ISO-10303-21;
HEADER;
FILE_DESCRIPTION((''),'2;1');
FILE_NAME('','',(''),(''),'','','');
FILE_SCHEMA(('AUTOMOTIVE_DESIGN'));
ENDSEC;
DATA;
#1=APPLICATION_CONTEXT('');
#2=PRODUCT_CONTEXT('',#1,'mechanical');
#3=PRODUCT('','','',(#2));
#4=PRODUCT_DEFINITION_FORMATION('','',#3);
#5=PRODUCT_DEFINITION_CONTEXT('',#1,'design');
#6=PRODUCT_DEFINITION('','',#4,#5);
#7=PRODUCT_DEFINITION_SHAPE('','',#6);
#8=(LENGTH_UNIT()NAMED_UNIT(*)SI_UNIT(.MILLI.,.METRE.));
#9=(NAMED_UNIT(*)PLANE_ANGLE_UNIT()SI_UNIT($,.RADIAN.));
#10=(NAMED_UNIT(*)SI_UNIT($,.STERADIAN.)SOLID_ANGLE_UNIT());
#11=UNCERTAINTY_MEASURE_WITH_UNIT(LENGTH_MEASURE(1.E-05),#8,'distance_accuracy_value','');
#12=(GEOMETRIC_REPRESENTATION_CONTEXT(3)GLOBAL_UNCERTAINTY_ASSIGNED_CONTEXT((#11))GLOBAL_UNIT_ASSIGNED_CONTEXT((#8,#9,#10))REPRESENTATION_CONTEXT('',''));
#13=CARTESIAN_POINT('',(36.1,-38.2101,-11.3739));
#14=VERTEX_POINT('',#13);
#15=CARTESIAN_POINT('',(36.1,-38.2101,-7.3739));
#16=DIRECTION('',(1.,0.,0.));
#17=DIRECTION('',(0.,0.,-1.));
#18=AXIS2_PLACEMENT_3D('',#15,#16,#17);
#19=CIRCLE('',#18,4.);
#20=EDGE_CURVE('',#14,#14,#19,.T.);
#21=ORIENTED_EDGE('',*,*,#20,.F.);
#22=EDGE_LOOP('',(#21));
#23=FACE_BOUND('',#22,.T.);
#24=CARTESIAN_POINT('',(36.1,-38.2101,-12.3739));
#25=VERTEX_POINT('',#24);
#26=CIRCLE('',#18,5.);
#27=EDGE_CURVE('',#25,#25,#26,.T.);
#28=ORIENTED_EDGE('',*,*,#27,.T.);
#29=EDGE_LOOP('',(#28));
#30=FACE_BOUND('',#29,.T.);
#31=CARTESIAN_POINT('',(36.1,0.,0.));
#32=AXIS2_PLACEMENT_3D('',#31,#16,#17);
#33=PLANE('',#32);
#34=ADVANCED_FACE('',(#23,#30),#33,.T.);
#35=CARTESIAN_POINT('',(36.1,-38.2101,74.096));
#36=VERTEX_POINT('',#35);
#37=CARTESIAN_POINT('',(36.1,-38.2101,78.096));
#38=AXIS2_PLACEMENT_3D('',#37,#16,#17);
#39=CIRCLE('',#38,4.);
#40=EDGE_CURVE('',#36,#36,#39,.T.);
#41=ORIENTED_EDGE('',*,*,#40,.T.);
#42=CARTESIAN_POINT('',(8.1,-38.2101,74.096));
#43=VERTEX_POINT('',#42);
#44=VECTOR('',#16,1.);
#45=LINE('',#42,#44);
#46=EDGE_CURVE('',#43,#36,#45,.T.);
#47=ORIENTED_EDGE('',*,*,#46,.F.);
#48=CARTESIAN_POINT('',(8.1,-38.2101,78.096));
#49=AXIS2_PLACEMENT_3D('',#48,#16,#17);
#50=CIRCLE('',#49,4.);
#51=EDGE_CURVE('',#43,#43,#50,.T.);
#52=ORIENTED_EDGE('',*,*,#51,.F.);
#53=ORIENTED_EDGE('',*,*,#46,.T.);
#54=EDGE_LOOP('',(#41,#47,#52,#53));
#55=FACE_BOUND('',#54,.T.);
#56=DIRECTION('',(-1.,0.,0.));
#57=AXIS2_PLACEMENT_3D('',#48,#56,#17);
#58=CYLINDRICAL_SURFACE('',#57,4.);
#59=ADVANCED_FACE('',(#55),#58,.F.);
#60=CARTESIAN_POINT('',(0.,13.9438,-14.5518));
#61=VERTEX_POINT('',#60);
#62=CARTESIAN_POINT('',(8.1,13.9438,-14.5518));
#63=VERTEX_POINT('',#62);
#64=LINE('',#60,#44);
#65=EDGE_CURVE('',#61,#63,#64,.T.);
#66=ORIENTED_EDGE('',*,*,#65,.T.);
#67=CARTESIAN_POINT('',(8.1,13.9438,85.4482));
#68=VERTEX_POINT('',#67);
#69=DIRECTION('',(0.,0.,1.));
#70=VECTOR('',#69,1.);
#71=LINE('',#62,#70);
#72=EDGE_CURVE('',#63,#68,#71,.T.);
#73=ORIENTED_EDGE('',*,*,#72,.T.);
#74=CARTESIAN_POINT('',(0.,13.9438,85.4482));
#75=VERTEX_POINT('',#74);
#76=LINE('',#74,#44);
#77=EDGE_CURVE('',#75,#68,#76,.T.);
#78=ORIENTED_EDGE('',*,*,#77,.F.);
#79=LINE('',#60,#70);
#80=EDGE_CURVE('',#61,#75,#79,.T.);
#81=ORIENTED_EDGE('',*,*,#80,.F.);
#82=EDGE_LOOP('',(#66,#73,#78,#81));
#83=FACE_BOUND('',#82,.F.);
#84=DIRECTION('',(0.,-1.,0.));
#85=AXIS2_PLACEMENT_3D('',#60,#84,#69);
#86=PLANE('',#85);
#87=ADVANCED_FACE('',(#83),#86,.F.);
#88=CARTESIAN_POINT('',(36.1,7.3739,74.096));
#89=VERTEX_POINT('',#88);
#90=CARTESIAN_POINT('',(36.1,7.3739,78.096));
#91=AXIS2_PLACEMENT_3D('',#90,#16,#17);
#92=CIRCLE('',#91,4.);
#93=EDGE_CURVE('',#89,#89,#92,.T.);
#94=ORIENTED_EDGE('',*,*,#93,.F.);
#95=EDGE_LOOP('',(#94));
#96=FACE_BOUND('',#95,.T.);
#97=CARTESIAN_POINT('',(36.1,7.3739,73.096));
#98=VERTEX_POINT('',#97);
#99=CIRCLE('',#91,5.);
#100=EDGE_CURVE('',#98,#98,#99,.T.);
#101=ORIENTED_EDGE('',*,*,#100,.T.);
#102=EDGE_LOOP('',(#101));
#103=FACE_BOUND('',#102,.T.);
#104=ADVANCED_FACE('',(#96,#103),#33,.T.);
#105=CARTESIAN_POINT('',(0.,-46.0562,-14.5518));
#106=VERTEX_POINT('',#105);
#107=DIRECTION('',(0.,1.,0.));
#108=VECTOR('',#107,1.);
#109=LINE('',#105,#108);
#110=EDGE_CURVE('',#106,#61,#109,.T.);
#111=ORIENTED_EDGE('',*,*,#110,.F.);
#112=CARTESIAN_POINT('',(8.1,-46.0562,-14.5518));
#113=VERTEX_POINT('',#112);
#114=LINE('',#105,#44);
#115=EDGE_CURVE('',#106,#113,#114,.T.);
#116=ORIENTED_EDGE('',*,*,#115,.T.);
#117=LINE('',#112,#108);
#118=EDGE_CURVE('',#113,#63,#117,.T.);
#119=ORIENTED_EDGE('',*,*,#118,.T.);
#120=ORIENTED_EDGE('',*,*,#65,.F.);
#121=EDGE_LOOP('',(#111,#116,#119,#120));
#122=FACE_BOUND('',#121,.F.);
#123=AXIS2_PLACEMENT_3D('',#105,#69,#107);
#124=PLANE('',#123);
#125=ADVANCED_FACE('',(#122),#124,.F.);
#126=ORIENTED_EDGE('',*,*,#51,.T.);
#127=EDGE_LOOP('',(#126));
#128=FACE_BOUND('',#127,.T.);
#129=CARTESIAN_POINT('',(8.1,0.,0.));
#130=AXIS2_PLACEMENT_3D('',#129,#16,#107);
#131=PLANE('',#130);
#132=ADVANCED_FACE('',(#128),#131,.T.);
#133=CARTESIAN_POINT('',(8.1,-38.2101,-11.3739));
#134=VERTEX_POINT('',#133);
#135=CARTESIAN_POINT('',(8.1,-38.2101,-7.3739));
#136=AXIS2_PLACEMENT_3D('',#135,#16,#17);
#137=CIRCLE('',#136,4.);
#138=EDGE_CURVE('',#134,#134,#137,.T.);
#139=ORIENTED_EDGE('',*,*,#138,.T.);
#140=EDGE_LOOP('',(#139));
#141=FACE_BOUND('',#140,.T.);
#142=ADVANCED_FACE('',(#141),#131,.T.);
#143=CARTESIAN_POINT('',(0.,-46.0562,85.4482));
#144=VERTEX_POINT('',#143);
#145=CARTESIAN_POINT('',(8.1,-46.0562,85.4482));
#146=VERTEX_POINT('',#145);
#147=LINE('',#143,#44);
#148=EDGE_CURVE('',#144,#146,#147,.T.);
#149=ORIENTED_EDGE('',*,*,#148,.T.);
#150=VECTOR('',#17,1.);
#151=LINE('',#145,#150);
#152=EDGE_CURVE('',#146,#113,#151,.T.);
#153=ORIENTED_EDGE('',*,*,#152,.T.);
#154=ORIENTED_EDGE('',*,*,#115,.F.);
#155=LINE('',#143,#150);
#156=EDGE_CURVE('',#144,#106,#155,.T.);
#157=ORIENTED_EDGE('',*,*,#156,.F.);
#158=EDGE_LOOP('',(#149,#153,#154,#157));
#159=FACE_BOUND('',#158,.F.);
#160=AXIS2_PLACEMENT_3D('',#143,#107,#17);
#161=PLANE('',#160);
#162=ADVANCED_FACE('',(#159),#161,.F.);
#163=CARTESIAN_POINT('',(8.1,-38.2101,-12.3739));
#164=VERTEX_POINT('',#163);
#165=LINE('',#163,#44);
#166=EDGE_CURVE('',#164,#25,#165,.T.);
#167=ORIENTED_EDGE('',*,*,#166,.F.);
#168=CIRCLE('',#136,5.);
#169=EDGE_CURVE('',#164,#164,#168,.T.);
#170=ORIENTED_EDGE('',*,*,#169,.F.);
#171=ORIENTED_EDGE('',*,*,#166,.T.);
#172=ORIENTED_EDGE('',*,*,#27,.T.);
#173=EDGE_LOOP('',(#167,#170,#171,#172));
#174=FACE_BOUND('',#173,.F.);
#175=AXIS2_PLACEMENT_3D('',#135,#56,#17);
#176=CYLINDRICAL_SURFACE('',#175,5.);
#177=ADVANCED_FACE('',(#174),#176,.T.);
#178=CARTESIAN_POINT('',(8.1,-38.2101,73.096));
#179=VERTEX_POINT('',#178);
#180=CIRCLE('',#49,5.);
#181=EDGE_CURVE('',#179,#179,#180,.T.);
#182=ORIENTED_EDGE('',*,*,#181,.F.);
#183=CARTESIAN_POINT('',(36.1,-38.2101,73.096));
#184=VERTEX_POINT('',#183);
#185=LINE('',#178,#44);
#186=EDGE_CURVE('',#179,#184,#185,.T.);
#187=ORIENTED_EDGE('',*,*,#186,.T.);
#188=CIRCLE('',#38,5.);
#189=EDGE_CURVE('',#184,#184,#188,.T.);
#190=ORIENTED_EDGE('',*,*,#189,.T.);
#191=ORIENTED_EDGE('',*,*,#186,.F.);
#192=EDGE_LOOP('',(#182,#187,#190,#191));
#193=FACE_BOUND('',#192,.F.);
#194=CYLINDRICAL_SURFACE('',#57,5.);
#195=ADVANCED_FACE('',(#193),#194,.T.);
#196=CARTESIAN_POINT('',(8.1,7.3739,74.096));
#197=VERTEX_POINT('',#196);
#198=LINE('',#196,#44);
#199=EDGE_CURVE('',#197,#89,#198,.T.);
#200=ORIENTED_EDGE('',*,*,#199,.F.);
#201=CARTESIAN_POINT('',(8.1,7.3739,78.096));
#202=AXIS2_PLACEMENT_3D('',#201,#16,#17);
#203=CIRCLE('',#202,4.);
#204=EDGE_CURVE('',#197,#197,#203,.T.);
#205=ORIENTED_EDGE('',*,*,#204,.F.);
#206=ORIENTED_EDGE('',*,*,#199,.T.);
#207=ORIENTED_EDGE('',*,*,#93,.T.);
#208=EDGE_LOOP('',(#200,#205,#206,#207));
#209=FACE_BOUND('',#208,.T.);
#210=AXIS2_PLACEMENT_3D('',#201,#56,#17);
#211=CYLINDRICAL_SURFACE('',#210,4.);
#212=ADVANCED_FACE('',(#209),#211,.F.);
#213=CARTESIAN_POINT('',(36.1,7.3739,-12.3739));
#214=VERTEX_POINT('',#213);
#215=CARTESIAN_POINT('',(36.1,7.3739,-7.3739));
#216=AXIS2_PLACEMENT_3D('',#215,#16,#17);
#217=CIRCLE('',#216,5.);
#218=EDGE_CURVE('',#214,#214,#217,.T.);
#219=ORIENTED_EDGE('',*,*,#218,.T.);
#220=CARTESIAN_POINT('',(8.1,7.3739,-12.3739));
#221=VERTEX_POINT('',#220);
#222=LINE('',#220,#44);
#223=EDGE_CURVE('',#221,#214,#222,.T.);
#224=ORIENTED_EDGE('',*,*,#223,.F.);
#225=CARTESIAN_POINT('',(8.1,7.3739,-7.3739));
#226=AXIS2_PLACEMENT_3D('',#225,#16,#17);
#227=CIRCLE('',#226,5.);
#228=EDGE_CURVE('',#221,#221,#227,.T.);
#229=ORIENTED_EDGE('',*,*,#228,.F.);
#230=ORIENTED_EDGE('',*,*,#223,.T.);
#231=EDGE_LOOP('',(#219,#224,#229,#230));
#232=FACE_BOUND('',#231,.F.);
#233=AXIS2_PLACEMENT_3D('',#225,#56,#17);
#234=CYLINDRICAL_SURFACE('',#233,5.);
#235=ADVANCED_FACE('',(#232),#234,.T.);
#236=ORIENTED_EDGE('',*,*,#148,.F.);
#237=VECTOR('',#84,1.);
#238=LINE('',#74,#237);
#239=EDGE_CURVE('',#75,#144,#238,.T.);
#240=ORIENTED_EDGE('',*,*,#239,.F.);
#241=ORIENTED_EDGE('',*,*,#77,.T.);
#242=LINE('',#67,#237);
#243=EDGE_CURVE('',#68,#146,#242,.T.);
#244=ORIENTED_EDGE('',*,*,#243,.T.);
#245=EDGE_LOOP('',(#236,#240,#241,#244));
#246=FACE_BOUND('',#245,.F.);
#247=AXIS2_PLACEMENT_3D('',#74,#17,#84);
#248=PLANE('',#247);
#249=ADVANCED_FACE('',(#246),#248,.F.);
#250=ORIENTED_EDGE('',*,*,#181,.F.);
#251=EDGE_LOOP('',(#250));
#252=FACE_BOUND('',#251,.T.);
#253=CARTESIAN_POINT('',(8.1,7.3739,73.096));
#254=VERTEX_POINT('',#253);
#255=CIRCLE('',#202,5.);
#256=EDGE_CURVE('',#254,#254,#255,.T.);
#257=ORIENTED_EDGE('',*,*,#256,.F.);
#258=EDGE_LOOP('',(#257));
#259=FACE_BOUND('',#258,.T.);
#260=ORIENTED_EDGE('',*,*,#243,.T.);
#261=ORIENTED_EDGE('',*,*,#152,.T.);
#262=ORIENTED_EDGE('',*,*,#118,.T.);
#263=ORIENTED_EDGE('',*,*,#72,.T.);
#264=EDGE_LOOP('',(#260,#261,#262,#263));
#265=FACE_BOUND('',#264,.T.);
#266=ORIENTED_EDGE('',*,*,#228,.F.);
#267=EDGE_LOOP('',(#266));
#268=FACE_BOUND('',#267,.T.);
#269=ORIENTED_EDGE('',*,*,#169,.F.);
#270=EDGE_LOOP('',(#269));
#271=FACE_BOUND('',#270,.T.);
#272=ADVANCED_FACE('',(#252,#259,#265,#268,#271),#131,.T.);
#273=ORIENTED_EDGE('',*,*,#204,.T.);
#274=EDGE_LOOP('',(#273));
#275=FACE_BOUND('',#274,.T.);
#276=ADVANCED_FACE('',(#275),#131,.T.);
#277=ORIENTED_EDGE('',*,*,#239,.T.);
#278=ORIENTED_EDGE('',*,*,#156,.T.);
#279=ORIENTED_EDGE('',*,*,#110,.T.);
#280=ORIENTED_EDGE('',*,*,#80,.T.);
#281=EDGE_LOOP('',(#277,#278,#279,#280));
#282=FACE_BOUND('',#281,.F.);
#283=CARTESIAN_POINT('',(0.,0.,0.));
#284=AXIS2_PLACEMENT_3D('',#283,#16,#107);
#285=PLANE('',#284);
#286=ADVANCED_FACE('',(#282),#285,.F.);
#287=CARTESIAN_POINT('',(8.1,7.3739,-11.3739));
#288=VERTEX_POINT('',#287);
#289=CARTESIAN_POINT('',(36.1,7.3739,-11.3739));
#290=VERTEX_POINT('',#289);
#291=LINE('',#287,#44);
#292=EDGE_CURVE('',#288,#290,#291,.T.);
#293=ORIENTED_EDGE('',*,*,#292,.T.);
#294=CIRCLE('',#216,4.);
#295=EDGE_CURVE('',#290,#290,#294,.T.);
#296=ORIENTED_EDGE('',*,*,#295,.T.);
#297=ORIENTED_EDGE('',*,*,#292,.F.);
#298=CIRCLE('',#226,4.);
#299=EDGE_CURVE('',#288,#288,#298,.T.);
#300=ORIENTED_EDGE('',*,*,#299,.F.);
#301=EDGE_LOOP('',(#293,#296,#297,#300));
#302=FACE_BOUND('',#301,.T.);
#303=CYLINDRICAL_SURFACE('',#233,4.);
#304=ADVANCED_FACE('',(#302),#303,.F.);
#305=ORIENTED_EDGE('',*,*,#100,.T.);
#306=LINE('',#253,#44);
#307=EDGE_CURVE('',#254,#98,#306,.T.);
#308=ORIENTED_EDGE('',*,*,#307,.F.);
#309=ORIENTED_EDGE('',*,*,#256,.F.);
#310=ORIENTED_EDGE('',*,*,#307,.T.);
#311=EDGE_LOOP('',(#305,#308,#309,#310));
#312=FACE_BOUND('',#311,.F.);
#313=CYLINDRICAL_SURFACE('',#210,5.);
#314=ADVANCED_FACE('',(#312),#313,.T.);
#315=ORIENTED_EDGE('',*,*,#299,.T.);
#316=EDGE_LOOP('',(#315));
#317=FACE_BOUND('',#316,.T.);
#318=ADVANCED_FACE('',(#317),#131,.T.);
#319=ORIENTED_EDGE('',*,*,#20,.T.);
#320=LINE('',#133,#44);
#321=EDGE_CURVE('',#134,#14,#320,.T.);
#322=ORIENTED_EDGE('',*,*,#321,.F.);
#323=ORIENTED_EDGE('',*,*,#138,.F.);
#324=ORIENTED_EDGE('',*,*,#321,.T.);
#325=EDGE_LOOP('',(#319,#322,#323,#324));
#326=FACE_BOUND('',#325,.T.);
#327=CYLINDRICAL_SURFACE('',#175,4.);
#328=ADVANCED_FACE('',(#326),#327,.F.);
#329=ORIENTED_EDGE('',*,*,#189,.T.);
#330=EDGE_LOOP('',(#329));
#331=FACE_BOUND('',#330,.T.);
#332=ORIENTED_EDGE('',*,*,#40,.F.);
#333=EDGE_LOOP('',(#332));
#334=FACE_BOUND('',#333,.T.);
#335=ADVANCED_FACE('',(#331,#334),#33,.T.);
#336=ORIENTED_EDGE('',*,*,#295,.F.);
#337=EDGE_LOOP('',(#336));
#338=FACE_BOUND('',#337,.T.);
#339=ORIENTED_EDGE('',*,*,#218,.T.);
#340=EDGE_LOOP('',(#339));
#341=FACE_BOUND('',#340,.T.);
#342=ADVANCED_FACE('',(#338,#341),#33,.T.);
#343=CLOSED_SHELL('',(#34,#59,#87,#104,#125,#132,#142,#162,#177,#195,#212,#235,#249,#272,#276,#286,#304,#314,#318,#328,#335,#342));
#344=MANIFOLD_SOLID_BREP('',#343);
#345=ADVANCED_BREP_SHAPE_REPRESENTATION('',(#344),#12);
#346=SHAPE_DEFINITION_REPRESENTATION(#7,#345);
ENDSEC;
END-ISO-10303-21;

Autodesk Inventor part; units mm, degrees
ref_plane "YZ Plane" through (0, 0, 0) normal (1, 0, 0) x (0, 1, 0)
ref_plane "XZ Plane" through (0, 0, 0) normal (0, 1, 0) x (-1, 0, 0)
ref_plane "XY Plane" through (0, 0, 0) normal (0, 0, 1) x (1, 0, 0)
sketch "スケッチ1" plane through (0, 0, 0) normal (1, 0, 0) x (0, 1, 0)
  line L0 (13.9438, 85.4482) -> (-46.0562, 85.4482)
  line L1 (-46.0562, 85.4482) -> (-46.0562, -14.5518)
  line L2 (-46.0562, -14.5518) -> (13.9438, -14.5518)
  line L3 (13.9438, -14.5518) -> (13.9438, 85.4482)
  point P0 (0, 0)
  dimension "d0" = 60
  dimension "d1" = 100
extrude "押し出し1" add sketch "スケッチ1" along normal blind 8.1
sketch "スケッチ2" plane through (8.1, 0, 0) normal (1, 0, 0) x (0, 0, -1)
  circle A0 centre (-78.096, 7.3739) radius 5
  circle A1 centre (-78.096, -38.2101) radius 5
  circle A2 centre (7.3739, -38.2101) radius 5
  circle A3 centre (7.3739, 7.3739) radius 5
  circle A4 centre (-78.096, 7.3739) radius 4
  circle A5 centre (-78.096, -38.2101) radius 4
  circle A6 centre (7.3739, 7.3739) radius 4
  circle A7 centre (7.3739, -38.2101) radius 4
  point P0 (0, 0)
  dimension "d4" = 10
  dimension "d5" = 10
  dimension "d6" = 10
  dimension "d7" = 10
  dimension "d8" = 8
  dimension "d9" = 8
  dimension "d10" = 8
  dimension "d11" = 8
extrude "押し出し2" add sketch "スケッチ2" along normal blind 28
sketch "スケッチ3" plane through (0, 0, 0) normal (-1, 0, 0) x (0, 0, 1)
  point P0 (0, 0)
equation "\"BendRadius\" = Thickness"
equation "\"BendReliefWidth\" = Thickness"
equation "\"BendReliefDepth\" = 0.5 * Thickness"
equation "\"CornerReliefSize\" = 4 * Thickness"
equation "\"MinimumRemnant\" = 2 * Thickness"
equation "\"TransitionRadius\" = BendRadius"
equation "\"JacobiRadiusSize\" = BendRadius"
equation "\"GapSize\" = Thickness"
equation "\"Thickness\" = 0.5"
